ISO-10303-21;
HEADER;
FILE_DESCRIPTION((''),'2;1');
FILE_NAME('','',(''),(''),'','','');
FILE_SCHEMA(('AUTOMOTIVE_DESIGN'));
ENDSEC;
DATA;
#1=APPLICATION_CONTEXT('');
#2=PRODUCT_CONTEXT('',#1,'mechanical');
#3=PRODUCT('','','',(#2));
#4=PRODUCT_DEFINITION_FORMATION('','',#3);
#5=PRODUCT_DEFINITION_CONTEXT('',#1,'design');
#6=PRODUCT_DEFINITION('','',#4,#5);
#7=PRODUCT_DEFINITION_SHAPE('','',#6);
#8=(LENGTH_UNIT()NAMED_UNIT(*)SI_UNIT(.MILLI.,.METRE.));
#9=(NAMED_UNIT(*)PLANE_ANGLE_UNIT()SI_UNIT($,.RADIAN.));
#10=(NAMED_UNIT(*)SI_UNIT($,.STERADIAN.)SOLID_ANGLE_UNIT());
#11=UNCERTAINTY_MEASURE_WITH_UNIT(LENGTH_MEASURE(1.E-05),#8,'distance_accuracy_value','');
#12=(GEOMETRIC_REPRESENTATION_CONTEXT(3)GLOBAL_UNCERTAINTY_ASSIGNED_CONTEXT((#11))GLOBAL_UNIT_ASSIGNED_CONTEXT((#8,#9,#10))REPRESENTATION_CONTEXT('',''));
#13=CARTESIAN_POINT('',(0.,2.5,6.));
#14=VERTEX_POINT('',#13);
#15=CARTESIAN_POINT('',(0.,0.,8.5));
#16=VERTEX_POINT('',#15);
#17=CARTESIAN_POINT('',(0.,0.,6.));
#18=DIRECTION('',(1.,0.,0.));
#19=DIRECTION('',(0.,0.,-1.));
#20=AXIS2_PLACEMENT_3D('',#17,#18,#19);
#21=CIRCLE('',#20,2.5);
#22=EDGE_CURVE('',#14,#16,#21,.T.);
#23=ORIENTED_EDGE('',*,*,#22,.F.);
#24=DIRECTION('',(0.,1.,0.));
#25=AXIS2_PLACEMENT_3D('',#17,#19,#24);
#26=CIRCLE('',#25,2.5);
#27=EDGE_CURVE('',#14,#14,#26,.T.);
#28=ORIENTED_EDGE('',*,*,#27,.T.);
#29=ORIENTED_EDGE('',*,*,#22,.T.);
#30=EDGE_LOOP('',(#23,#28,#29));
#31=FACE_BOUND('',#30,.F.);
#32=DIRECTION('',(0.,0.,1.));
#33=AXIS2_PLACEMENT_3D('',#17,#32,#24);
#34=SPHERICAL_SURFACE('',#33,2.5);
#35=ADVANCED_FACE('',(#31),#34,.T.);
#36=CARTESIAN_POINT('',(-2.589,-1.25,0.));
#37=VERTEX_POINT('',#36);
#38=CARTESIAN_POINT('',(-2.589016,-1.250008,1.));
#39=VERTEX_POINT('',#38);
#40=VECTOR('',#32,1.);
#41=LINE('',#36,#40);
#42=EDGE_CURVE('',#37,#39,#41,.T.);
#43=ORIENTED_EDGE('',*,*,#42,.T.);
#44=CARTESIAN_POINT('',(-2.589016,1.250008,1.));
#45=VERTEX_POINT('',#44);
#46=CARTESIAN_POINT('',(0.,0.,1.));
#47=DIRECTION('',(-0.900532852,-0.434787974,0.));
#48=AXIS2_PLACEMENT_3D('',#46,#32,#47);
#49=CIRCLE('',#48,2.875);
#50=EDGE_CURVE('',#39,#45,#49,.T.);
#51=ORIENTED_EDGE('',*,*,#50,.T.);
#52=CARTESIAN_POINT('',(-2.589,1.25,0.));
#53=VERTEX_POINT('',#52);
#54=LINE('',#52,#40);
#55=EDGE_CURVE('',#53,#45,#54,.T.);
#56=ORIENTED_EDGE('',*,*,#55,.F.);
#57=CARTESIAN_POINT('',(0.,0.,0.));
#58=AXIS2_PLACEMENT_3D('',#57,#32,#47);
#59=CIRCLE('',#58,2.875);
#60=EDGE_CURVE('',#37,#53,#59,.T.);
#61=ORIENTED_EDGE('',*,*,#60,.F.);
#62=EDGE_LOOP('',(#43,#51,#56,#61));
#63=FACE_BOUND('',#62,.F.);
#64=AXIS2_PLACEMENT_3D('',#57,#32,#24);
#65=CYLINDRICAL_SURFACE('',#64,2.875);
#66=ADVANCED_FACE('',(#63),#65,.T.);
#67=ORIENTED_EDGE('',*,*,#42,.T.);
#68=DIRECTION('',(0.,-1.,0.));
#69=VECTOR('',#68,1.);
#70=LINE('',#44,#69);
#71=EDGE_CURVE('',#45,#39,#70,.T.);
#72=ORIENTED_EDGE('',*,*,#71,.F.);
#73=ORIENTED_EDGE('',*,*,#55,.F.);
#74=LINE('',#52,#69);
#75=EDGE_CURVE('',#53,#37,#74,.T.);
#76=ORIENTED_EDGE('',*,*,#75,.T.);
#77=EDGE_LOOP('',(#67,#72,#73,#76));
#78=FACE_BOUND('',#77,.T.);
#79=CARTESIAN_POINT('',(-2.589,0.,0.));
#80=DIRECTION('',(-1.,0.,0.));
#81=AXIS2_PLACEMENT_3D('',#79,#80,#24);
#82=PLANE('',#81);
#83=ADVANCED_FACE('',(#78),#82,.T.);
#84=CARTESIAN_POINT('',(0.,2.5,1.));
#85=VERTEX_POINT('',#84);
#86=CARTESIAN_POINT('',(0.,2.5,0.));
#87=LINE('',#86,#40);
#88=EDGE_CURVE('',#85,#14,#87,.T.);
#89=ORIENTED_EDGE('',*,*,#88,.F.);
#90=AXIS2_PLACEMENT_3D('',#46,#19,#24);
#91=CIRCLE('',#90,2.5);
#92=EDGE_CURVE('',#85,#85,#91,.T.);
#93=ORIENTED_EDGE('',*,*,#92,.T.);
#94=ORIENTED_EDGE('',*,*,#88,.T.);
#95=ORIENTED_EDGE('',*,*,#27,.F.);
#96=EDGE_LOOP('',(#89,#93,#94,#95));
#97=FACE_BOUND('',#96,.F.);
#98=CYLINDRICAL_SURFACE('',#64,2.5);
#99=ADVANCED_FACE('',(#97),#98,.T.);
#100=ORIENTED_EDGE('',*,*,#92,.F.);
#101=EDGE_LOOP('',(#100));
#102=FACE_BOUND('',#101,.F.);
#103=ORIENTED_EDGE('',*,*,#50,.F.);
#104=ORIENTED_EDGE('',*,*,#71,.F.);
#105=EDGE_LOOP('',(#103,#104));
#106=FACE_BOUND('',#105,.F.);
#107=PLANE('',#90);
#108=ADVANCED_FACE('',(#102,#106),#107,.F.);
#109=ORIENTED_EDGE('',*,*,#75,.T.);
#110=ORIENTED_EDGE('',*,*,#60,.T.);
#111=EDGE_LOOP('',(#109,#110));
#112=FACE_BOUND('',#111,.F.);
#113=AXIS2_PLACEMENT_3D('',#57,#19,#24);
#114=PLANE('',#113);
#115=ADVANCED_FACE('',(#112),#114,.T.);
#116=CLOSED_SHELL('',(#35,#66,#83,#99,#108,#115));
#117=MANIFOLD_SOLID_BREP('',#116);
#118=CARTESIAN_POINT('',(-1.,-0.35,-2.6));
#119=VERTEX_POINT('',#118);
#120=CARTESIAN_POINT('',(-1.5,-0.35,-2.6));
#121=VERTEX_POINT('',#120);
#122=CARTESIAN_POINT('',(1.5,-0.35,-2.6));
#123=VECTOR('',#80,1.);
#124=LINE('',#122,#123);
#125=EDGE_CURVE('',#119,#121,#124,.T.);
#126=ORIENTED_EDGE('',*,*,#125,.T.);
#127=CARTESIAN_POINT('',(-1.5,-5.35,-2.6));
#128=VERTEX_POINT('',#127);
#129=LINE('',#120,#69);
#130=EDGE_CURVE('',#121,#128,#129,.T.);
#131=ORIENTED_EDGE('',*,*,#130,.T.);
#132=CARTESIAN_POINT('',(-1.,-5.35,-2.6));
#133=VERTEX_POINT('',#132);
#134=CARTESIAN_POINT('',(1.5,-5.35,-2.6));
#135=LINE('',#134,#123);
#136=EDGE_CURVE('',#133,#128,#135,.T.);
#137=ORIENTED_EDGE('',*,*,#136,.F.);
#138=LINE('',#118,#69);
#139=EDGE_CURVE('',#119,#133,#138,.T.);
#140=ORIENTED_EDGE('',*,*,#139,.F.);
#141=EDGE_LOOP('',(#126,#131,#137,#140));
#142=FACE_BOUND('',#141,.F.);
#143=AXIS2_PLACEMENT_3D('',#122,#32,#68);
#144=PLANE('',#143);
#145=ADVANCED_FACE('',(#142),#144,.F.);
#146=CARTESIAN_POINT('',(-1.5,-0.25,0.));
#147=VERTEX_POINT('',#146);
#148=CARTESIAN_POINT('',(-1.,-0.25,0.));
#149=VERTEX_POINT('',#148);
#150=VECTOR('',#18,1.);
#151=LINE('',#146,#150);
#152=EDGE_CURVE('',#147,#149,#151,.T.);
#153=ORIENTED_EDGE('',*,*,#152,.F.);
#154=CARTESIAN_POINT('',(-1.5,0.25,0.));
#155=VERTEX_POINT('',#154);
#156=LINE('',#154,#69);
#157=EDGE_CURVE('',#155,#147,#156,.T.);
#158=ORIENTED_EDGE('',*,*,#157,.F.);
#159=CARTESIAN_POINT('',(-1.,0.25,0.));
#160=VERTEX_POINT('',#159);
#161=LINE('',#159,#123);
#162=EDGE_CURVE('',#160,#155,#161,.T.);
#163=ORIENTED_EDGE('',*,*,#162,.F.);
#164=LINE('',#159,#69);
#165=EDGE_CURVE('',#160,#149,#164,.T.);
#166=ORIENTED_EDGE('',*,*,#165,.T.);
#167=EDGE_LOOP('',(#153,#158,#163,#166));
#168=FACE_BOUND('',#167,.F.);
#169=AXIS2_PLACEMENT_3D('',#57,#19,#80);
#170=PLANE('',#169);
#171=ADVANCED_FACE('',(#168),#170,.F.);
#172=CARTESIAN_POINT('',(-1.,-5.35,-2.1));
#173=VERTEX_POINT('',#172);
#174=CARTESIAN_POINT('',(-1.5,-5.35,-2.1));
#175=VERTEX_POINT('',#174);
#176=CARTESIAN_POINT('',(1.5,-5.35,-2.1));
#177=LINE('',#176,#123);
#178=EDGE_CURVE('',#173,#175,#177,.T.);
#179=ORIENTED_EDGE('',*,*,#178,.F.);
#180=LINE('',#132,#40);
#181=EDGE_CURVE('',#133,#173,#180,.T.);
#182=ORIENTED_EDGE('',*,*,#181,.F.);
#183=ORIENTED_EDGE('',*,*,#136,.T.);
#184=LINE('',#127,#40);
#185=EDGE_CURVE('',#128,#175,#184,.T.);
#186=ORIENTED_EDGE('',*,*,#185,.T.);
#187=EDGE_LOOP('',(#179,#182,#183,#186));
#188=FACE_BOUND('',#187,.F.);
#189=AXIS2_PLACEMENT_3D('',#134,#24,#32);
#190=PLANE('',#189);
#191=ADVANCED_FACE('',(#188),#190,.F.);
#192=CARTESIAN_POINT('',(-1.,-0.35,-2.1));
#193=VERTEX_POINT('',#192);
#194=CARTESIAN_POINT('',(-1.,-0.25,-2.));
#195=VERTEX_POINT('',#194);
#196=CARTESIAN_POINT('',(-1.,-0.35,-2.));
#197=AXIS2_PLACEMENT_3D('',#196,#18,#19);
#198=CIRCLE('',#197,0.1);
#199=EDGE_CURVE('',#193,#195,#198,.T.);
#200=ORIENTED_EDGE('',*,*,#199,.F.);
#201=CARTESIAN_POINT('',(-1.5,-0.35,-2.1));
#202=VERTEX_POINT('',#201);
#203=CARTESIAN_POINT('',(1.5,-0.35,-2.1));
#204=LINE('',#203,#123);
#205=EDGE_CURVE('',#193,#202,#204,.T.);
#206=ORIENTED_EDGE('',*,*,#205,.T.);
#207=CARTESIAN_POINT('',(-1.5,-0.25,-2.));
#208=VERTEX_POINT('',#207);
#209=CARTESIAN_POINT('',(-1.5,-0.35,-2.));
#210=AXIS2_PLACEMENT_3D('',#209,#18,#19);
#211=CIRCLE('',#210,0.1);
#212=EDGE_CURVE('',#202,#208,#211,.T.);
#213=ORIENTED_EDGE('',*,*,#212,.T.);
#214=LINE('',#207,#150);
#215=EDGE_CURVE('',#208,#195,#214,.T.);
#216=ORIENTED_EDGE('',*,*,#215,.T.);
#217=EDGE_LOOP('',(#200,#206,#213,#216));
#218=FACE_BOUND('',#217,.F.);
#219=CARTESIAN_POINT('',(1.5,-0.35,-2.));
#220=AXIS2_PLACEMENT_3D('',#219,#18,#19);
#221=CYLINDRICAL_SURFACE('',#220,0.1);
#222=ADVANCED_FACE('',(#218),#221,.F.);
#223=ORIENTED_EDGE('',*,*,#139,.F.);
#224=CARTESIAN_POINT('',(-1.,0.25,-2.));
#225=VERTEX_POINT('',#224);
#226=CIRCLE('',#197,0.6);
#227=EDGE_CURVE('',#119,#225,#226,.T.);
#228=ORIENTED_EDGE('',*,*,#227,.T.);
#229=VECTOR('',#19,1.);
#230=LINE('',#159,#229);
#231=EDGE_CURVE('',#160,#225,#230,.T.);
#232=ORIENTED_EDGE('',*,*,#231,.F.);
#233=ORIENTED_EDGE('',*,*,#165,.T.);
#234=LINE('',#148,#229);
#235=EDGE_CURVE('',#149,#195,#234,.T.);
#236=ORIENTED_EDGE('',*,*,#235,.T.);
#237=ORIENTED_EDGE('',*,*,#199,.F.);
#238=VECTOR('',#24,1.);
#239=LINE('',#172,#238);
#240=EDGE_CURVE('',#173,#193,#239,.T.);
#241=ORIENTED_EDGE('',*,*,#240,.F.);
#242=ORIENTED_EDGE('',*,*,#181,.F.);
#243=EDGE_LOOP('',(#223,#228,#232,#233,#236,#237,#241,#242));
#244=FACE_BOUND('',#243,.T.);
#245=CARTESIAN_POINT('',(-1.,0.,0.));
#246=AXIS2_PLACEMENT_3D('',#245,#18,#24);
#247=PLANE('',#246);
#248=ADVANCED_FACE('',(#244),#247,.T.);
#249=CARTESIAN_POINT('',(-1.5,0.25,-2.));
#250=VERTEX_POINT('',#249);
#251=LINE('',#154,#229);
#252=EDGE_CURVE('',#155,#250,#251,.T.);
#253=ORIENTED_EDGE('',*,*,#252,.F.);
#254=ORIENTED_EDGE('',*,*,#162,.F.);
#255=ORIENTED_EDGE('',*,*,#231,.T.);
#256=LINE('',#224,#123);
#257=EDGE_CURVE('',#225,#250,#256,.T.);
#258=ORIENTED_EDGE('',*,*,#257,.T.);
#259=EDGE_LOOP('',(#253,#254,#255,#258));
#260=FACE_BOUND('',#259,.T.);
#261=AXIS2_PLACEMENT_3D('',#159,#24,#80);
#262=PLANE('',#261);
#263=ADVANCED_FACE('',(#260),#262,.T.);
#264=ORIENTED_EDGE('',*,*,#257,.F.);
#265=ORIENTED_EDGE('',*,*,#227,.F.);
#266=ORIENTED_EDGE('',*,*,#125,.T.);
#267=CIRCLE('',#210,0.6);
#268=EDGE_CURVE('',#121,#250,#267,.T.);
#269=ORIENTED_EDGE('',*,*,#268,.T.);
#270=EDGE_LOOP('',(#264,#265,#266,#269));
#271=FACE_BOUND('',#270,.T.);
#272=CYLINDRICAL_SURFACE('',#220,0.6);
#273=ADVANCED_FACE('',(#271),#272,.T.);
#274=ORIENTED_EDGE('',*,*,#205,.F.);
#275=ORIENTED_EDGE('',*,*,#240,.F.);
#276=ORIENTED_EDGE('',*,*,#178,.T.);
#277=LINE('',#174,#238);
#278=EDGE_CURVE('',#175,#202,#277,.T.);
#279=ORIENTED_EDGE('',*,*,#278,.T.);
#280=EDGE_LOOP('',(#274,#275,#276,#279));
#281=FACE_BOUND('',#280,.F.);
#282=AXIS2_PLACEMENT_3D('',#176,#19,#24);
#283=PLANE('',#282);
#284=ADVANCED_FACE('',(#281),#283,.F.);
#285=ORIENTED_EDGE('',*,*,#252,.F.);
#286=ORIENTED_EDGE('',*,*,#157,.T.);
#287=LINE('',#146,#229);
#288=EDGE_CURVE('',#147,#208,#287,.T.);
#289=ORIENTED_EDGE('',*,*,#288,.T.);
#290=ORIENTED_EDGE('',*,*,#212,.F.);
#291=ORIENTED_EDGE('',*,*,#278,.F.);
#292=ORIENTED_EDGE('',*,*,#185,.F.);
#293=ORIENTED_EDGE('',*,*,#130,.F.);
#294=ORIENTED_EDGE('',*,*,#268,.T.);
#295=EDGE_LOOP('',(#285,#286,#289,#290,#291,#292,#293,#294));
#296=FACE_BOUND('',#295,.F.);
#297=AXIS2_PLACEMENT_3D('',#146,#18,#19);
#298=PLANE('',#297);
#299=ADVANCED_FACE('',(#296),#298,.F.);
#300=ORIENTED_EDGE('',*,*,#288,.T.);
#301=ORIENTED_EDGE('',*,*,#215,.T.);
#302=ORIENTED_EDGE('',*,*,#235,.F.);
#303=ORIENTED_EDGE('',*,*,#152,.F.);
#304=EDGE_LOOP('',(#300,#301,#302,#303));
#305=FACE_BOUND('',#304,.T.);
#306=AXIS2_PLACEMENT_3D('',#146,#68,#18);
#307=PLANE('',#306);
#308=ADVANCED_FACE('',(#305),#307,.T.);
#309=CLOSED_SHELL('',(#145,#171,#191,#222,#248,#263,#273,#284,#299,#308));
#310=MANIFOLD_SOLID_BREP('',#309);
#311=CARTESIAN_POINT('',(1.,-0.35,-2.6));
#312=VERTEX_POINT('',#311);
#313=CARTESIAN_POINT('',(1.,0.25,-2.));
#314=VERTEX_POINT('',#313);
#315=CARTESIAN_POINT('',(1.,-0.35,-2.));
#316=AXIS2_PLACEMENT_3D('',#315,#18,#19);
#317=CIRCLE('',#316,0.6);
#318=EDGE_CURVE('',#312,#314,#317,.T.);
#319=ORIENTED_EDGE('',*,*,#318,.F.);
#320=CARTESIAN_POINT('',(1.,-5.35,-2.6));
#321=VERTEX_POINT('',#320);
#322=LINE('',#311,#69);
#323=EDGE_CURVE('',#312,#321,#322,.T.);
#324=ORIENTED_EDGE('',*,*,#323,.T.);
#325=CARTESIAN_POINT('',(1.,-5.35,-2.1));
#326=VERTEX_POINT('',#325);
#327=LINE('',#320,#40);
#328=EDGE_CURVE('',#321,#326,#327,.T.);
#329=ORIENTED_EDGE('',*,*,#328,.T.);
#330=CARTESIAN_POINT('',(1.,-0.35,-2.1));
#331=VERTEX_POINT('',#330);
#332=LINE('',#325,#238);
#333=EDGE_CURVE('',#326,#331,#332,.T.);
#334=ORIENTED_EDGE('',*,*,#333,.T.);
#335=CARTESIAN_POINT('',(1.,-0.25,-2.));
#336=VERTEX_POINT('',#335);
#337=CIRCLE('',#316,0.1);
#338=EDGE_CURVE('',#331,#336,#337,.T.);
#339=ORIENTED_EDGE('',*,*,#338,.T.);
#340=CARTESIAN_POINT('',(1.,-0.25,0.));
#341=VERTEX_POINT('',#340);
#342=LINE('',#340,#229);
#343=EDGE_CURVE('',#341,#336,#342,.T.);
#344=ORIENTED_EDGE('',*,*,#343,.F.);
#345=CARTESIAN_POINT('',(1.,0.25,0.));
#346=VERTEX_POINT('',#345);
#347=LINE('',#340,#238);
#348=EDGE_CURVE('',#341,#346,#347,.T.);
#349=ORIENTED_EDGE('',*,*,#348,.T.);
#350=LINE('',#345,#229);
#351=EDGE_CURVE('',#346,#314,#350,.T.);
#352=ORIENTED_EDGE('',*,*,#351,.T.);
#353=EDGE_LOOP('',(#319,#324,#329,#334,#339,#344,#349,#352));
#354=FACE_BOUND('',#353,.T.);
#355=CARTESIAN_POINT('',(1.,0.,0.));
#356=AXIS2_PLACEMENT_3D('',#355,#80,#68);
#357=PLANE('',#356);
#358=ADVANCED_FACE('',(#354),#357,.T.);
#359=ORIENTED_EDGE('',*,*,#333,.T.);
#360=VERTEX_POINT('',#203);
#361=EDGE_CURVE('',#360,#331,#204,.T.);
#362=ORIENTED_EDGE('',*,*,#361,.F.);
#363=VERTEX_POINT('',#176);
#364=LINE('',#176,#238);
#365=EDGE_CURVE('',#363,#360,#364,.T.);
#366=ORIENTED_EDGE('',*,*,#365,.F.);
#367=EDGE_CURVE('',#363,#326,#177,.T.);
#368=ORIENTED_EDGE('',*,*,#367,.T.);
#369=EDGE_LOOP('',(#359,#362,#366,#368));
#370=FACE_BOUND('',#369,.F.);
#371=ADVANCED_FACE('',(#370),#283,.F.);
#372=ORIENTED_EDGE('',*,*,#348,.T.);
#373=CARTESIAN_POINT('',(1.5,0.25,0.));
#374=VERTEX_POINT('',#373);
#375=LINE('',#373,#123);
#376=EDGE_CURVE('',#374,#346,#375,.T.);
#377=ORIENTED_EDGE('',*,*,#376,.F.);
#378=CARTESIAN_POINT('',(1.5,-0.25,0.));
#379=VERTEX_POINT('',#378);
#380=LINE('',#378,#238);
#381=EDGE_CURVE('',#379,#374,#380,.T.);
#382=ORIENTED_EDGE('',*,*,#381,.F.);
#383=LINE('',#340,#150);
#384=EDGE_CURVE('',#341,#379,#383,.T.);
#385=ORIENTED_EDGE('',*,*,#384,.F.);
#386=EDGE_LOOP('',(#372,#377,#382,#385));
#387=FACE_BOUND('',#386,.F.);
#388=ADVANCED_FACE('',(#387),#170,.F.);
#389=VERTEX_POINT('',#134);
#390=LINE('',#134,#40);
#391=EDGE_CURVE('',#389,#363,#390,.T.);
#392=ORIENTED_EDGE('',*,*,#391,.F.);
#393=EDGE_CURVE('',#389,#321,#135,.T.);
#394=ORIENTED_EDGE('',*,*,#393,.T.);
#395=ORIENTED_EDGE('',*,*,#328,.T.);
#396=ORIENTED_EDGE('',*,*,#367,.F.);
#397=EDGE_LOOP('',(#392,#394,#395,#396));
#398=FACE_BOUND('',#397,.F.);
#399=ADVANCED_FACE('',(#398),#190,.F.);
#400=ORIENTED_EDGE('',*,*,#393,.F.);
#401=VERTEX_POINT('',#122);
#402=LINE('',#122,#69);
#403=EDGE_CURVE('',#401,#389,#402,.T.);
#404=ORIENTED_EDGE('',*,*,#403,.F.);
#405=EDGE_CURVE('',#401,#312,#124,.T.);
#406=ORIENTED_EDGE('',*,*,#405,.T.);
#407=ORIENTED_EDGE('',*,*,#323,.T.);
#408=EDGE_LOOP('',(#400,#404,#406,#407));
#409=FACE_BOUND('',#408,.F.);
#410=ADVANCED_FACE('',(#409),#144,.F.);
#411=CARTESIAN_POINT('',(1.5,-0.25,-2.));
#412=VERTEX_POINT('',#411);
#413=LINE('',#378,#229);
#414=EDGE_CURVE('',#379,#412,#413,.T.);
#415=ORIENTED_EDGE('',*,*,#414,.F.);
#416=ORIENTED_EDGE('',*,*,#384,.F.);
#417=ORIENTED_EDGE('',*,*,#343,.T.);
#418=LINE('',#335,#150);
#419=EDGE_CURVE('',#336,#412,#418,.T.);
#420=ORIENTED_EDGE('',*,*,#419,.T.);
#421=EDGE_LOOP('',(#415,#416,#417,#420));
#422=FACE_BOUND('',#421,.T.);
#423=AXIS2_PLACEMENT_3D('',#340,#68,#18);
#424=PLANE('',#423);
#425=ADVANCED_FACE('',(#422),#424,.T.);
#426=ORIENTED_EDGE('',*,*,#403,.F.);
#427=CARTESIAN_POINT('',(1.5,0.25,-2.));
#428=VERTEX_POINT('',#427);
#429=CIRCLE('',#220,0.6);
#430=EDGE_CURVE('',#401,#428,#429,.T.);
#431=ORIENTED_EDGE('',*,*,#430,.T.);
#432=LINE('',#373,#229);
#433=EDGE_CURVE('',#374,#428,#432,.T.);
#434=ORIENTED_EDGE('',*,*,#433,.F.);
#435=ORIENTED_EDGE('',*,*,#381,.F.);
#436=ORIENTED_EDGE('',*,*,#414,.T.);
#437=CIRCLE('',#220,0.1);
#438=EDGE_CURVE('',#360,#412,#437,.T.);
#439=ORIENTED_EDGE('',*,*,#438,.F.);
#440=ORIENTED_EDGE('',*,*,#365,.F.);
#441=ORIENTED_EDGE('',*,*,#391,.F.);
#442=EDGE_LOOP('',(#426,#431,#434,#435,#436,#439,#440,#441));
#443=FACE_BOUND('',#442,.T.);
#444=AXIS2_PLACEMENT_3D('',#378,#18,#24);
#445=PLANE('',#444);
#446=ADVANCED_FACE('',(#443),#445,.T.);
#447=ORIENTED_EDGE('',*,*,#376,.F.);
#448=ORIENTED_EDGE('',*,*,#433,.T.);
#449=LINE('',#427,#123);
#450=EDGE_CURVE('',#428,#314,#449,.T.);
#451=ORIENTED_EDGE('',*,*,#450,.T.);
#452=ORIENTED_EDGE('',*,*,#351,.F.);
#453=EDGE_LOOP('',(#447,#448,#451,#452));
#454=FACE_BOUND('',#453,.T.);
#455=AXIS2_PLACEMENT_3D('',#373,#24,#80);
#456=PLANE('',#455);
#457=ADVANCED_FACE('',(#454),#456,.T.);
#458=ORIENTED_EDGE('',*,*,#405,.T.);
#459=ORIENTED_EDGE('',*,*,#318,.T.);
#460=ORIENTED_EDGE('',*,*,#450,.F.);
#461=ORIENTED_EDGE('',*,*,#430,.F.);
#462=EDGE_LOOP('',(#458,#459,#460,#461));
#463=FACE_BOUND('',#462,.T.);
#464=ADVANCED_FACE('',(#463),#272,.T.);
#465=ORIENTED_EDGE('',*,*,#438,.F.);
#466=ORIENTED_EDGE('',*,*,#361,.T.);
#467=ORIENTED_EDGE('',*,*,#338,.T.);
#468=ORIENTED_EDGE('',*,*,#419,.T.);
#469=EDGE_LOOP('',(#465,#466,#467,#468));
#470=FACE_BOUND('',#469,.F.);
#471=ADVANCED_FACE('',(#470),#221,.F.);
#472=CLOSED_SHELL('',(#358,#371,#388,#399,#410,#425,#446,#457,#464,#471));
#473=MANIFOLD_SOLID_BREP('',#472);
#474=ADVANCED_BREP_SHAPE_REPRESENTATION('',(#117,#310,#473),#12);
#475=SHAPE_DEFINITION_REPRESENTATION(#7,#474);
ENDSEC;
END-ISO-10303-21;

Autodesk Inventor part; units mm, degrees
ref_plane "YZ Plane" through (0, 0, 0) normal (1, 0, 0) x (0, 1, 0)
ref_plane "XZ Plane" through (0, 0, 0) normal (0, 1, 0) x (-1, 0, 0)
ref_plane "XY Plane" through (0, 0, 0) normal (0, 0, 1) x (1, 0, 0)
sketch "Sketch1" plane through (0, 0, 0) normal (1, 0, 0) x (0, 1, 0)
  line L0 (0, 0) -> (2.5, 0)
  line L1 (2.5, 0) -> (2.5, 8.5)
  line L2 (2.5, 8.5) -> (0, 8.5)
  line L3 (0, 8.5) -> (0, 0)
  line L4 (2.5, 0) -> (2.875, 0)
  line L5 (2.875, 0) -> (2.875, 1)
  line L6 (2.875, 1) -> (2.5, 1)
  line L7 (2.5, 1) -> (2.5, 0)
  arc A0 (0, 3.5) -> (0, 8.5) centre (0, 6) ccw
  point P0 (2.5, 6)
  dimension "d0" = 2.5
  dimension "d1" = 8.5
  dimension "d2" = 0.375
  dimension "d3" = 1
revolve "Revolution1" add sketch "Sketch1" angle 360 about axis through (0, 0, 8.5) along (0, 0, -1) contours L3 A0 L1 L0 | L1 L6 L5 L4 | L3 A0
sketch "Sketch2" plane through (0, 0, 0) normal (0, 0, -1) x (-1, 0, 0)
  circle A0 centre (0, 0) radius 2.875 projected
  line L0 (0, 0) -> (2.589, 0)
  line L1 (2.589, 0) -> (2.589, 1.25)
  line L2 (2.589, 1.25) -> (0, 1.25)
  line L3 (0, 1.25) -> (0, 0)
  line L4 (0, 0) -> (2.589, 0)
  line L5 (2.589, 0) -> (2.589, -1.25)
  line L6 (2.589, -1.25) -> (0, -1.25)
  line L7 (0, -1.25) -> (0, 0)
  arc A1 (2.589, -1.25) -> (2.589, 1.25) centre (0, 0) ccw
  dimension "d5" = 1.25
  dimension "d6" = 1.25
extrude "Extrusion1" cut sketch "Sketch2" against normal blind 10 contours A0 L5 L1
sketch "Sketch3" plane through (0, 0, 0) normal (0, 0, -1) x (-1, 0, 0)
  line L0 (0, 0) -> (-1.5, 0)
  line L1 (-1.5, 0) -> (-1.25, 0)
  line L2 (-1, -0.25) -> (-1.5, -0.25)
  line L3 (-1.5, -0.25) -> (-1.5, 0.25)
  line L4 (-1.5, 0.25) -> (-1, 0.25)
  line L5 (-1, 0.25) -> (-1, -0.25)
  line L6 (-1, -0.25) -> (-1.5, 0.25) construction
  line L7 (-1.5, -0.25) -> (-1, 0.25) construction
  line L8 (0, 0) -> (1.25, 0)
  line L9 (1.5, -0.25) -> (1, -0.25)
  line L10 (1, -0.25) -> (1, 0.25)
  line L11 (1, 0.25) -> (1.5, 0.25)
  line L12 (1.5, 0.25) -> (1.5, -0.25)
  line L13 (1.5, -0.25) -> (1, 0.25) construction
  line L14 (1, -0.25) -> (1.5, 0.25) construction
  dimension "d9" = 1.5
  dimension "d10" = 0.25
  dimension "d11" = 0.5
  dimension "d12" = 1.25
  dimension "d13" = 0.5
  dimension "d14" = 0.5
extrude "Extrusion2" add sketch "Sketch3" along normal blind 2 separate body
sketch "Sketch5" plane through (1.5, -0.25, 0) normal (1, 0, 0) x (0, 0, -1)
  line L0 (0, 0) -> (2, 0) projected
  line L1 (2, 0) -> (2, -0.1)
  line L2 (2, -0.1) -> (2.1, -0.1)
  arc A0 (2.1, -0.1) -> (2, 0) centre (2, -0.1) ccw
  line L3 (2.1, -0.1) -> (2.6, -0.1)
  line L4 (0, 0.5) -> (2, 0.5) projected
  arc A1 (2.6, -0.1) -> (2, 0.5) centre (2, -0.1) ccw
  line L5 (2.1, -0.1) -> (2.6, -0.1)
  line L6 (2.6, -0.1) -> (2.6, -5.1)
  line L7 (2.6, -5.1) -> (2.1, -5.1)
  line L8 (2.1, -5.1) -> (2.1, -0.1)
  line L9 (0, 0.5) -> (2, 0.5) projected
  line L10 (2, 0.5) -> (2, 0)
  point P0 (0, 0.25)
  dimension "d20" = 0.1
  dimension "d21" = 0.1
  dimension "d22" = 0.1
  dimension "d23" = 0.5
  dimension "d24" = 0.6
  dimension "d25" = 5
extrude "Extrusion4" add sketch "Sketch5" against normal blind 3 contours L10 A1 L3 A0 | L3 L6 L7 L8 bodies 2
extrude "Extrusion5" cut sketch "Sketch5" against normal blind 2.5 contours L10 A1 L3 A0 | L3 L6 L7 L8 bodies 2
extrude "Extrusion6" add sketch "Sketch5" against normal blind 0.5 contours L10 A1 L3 A0 | L3 L6 L7 L8 bodies 2
properties part number "IR_TSAL6400"
